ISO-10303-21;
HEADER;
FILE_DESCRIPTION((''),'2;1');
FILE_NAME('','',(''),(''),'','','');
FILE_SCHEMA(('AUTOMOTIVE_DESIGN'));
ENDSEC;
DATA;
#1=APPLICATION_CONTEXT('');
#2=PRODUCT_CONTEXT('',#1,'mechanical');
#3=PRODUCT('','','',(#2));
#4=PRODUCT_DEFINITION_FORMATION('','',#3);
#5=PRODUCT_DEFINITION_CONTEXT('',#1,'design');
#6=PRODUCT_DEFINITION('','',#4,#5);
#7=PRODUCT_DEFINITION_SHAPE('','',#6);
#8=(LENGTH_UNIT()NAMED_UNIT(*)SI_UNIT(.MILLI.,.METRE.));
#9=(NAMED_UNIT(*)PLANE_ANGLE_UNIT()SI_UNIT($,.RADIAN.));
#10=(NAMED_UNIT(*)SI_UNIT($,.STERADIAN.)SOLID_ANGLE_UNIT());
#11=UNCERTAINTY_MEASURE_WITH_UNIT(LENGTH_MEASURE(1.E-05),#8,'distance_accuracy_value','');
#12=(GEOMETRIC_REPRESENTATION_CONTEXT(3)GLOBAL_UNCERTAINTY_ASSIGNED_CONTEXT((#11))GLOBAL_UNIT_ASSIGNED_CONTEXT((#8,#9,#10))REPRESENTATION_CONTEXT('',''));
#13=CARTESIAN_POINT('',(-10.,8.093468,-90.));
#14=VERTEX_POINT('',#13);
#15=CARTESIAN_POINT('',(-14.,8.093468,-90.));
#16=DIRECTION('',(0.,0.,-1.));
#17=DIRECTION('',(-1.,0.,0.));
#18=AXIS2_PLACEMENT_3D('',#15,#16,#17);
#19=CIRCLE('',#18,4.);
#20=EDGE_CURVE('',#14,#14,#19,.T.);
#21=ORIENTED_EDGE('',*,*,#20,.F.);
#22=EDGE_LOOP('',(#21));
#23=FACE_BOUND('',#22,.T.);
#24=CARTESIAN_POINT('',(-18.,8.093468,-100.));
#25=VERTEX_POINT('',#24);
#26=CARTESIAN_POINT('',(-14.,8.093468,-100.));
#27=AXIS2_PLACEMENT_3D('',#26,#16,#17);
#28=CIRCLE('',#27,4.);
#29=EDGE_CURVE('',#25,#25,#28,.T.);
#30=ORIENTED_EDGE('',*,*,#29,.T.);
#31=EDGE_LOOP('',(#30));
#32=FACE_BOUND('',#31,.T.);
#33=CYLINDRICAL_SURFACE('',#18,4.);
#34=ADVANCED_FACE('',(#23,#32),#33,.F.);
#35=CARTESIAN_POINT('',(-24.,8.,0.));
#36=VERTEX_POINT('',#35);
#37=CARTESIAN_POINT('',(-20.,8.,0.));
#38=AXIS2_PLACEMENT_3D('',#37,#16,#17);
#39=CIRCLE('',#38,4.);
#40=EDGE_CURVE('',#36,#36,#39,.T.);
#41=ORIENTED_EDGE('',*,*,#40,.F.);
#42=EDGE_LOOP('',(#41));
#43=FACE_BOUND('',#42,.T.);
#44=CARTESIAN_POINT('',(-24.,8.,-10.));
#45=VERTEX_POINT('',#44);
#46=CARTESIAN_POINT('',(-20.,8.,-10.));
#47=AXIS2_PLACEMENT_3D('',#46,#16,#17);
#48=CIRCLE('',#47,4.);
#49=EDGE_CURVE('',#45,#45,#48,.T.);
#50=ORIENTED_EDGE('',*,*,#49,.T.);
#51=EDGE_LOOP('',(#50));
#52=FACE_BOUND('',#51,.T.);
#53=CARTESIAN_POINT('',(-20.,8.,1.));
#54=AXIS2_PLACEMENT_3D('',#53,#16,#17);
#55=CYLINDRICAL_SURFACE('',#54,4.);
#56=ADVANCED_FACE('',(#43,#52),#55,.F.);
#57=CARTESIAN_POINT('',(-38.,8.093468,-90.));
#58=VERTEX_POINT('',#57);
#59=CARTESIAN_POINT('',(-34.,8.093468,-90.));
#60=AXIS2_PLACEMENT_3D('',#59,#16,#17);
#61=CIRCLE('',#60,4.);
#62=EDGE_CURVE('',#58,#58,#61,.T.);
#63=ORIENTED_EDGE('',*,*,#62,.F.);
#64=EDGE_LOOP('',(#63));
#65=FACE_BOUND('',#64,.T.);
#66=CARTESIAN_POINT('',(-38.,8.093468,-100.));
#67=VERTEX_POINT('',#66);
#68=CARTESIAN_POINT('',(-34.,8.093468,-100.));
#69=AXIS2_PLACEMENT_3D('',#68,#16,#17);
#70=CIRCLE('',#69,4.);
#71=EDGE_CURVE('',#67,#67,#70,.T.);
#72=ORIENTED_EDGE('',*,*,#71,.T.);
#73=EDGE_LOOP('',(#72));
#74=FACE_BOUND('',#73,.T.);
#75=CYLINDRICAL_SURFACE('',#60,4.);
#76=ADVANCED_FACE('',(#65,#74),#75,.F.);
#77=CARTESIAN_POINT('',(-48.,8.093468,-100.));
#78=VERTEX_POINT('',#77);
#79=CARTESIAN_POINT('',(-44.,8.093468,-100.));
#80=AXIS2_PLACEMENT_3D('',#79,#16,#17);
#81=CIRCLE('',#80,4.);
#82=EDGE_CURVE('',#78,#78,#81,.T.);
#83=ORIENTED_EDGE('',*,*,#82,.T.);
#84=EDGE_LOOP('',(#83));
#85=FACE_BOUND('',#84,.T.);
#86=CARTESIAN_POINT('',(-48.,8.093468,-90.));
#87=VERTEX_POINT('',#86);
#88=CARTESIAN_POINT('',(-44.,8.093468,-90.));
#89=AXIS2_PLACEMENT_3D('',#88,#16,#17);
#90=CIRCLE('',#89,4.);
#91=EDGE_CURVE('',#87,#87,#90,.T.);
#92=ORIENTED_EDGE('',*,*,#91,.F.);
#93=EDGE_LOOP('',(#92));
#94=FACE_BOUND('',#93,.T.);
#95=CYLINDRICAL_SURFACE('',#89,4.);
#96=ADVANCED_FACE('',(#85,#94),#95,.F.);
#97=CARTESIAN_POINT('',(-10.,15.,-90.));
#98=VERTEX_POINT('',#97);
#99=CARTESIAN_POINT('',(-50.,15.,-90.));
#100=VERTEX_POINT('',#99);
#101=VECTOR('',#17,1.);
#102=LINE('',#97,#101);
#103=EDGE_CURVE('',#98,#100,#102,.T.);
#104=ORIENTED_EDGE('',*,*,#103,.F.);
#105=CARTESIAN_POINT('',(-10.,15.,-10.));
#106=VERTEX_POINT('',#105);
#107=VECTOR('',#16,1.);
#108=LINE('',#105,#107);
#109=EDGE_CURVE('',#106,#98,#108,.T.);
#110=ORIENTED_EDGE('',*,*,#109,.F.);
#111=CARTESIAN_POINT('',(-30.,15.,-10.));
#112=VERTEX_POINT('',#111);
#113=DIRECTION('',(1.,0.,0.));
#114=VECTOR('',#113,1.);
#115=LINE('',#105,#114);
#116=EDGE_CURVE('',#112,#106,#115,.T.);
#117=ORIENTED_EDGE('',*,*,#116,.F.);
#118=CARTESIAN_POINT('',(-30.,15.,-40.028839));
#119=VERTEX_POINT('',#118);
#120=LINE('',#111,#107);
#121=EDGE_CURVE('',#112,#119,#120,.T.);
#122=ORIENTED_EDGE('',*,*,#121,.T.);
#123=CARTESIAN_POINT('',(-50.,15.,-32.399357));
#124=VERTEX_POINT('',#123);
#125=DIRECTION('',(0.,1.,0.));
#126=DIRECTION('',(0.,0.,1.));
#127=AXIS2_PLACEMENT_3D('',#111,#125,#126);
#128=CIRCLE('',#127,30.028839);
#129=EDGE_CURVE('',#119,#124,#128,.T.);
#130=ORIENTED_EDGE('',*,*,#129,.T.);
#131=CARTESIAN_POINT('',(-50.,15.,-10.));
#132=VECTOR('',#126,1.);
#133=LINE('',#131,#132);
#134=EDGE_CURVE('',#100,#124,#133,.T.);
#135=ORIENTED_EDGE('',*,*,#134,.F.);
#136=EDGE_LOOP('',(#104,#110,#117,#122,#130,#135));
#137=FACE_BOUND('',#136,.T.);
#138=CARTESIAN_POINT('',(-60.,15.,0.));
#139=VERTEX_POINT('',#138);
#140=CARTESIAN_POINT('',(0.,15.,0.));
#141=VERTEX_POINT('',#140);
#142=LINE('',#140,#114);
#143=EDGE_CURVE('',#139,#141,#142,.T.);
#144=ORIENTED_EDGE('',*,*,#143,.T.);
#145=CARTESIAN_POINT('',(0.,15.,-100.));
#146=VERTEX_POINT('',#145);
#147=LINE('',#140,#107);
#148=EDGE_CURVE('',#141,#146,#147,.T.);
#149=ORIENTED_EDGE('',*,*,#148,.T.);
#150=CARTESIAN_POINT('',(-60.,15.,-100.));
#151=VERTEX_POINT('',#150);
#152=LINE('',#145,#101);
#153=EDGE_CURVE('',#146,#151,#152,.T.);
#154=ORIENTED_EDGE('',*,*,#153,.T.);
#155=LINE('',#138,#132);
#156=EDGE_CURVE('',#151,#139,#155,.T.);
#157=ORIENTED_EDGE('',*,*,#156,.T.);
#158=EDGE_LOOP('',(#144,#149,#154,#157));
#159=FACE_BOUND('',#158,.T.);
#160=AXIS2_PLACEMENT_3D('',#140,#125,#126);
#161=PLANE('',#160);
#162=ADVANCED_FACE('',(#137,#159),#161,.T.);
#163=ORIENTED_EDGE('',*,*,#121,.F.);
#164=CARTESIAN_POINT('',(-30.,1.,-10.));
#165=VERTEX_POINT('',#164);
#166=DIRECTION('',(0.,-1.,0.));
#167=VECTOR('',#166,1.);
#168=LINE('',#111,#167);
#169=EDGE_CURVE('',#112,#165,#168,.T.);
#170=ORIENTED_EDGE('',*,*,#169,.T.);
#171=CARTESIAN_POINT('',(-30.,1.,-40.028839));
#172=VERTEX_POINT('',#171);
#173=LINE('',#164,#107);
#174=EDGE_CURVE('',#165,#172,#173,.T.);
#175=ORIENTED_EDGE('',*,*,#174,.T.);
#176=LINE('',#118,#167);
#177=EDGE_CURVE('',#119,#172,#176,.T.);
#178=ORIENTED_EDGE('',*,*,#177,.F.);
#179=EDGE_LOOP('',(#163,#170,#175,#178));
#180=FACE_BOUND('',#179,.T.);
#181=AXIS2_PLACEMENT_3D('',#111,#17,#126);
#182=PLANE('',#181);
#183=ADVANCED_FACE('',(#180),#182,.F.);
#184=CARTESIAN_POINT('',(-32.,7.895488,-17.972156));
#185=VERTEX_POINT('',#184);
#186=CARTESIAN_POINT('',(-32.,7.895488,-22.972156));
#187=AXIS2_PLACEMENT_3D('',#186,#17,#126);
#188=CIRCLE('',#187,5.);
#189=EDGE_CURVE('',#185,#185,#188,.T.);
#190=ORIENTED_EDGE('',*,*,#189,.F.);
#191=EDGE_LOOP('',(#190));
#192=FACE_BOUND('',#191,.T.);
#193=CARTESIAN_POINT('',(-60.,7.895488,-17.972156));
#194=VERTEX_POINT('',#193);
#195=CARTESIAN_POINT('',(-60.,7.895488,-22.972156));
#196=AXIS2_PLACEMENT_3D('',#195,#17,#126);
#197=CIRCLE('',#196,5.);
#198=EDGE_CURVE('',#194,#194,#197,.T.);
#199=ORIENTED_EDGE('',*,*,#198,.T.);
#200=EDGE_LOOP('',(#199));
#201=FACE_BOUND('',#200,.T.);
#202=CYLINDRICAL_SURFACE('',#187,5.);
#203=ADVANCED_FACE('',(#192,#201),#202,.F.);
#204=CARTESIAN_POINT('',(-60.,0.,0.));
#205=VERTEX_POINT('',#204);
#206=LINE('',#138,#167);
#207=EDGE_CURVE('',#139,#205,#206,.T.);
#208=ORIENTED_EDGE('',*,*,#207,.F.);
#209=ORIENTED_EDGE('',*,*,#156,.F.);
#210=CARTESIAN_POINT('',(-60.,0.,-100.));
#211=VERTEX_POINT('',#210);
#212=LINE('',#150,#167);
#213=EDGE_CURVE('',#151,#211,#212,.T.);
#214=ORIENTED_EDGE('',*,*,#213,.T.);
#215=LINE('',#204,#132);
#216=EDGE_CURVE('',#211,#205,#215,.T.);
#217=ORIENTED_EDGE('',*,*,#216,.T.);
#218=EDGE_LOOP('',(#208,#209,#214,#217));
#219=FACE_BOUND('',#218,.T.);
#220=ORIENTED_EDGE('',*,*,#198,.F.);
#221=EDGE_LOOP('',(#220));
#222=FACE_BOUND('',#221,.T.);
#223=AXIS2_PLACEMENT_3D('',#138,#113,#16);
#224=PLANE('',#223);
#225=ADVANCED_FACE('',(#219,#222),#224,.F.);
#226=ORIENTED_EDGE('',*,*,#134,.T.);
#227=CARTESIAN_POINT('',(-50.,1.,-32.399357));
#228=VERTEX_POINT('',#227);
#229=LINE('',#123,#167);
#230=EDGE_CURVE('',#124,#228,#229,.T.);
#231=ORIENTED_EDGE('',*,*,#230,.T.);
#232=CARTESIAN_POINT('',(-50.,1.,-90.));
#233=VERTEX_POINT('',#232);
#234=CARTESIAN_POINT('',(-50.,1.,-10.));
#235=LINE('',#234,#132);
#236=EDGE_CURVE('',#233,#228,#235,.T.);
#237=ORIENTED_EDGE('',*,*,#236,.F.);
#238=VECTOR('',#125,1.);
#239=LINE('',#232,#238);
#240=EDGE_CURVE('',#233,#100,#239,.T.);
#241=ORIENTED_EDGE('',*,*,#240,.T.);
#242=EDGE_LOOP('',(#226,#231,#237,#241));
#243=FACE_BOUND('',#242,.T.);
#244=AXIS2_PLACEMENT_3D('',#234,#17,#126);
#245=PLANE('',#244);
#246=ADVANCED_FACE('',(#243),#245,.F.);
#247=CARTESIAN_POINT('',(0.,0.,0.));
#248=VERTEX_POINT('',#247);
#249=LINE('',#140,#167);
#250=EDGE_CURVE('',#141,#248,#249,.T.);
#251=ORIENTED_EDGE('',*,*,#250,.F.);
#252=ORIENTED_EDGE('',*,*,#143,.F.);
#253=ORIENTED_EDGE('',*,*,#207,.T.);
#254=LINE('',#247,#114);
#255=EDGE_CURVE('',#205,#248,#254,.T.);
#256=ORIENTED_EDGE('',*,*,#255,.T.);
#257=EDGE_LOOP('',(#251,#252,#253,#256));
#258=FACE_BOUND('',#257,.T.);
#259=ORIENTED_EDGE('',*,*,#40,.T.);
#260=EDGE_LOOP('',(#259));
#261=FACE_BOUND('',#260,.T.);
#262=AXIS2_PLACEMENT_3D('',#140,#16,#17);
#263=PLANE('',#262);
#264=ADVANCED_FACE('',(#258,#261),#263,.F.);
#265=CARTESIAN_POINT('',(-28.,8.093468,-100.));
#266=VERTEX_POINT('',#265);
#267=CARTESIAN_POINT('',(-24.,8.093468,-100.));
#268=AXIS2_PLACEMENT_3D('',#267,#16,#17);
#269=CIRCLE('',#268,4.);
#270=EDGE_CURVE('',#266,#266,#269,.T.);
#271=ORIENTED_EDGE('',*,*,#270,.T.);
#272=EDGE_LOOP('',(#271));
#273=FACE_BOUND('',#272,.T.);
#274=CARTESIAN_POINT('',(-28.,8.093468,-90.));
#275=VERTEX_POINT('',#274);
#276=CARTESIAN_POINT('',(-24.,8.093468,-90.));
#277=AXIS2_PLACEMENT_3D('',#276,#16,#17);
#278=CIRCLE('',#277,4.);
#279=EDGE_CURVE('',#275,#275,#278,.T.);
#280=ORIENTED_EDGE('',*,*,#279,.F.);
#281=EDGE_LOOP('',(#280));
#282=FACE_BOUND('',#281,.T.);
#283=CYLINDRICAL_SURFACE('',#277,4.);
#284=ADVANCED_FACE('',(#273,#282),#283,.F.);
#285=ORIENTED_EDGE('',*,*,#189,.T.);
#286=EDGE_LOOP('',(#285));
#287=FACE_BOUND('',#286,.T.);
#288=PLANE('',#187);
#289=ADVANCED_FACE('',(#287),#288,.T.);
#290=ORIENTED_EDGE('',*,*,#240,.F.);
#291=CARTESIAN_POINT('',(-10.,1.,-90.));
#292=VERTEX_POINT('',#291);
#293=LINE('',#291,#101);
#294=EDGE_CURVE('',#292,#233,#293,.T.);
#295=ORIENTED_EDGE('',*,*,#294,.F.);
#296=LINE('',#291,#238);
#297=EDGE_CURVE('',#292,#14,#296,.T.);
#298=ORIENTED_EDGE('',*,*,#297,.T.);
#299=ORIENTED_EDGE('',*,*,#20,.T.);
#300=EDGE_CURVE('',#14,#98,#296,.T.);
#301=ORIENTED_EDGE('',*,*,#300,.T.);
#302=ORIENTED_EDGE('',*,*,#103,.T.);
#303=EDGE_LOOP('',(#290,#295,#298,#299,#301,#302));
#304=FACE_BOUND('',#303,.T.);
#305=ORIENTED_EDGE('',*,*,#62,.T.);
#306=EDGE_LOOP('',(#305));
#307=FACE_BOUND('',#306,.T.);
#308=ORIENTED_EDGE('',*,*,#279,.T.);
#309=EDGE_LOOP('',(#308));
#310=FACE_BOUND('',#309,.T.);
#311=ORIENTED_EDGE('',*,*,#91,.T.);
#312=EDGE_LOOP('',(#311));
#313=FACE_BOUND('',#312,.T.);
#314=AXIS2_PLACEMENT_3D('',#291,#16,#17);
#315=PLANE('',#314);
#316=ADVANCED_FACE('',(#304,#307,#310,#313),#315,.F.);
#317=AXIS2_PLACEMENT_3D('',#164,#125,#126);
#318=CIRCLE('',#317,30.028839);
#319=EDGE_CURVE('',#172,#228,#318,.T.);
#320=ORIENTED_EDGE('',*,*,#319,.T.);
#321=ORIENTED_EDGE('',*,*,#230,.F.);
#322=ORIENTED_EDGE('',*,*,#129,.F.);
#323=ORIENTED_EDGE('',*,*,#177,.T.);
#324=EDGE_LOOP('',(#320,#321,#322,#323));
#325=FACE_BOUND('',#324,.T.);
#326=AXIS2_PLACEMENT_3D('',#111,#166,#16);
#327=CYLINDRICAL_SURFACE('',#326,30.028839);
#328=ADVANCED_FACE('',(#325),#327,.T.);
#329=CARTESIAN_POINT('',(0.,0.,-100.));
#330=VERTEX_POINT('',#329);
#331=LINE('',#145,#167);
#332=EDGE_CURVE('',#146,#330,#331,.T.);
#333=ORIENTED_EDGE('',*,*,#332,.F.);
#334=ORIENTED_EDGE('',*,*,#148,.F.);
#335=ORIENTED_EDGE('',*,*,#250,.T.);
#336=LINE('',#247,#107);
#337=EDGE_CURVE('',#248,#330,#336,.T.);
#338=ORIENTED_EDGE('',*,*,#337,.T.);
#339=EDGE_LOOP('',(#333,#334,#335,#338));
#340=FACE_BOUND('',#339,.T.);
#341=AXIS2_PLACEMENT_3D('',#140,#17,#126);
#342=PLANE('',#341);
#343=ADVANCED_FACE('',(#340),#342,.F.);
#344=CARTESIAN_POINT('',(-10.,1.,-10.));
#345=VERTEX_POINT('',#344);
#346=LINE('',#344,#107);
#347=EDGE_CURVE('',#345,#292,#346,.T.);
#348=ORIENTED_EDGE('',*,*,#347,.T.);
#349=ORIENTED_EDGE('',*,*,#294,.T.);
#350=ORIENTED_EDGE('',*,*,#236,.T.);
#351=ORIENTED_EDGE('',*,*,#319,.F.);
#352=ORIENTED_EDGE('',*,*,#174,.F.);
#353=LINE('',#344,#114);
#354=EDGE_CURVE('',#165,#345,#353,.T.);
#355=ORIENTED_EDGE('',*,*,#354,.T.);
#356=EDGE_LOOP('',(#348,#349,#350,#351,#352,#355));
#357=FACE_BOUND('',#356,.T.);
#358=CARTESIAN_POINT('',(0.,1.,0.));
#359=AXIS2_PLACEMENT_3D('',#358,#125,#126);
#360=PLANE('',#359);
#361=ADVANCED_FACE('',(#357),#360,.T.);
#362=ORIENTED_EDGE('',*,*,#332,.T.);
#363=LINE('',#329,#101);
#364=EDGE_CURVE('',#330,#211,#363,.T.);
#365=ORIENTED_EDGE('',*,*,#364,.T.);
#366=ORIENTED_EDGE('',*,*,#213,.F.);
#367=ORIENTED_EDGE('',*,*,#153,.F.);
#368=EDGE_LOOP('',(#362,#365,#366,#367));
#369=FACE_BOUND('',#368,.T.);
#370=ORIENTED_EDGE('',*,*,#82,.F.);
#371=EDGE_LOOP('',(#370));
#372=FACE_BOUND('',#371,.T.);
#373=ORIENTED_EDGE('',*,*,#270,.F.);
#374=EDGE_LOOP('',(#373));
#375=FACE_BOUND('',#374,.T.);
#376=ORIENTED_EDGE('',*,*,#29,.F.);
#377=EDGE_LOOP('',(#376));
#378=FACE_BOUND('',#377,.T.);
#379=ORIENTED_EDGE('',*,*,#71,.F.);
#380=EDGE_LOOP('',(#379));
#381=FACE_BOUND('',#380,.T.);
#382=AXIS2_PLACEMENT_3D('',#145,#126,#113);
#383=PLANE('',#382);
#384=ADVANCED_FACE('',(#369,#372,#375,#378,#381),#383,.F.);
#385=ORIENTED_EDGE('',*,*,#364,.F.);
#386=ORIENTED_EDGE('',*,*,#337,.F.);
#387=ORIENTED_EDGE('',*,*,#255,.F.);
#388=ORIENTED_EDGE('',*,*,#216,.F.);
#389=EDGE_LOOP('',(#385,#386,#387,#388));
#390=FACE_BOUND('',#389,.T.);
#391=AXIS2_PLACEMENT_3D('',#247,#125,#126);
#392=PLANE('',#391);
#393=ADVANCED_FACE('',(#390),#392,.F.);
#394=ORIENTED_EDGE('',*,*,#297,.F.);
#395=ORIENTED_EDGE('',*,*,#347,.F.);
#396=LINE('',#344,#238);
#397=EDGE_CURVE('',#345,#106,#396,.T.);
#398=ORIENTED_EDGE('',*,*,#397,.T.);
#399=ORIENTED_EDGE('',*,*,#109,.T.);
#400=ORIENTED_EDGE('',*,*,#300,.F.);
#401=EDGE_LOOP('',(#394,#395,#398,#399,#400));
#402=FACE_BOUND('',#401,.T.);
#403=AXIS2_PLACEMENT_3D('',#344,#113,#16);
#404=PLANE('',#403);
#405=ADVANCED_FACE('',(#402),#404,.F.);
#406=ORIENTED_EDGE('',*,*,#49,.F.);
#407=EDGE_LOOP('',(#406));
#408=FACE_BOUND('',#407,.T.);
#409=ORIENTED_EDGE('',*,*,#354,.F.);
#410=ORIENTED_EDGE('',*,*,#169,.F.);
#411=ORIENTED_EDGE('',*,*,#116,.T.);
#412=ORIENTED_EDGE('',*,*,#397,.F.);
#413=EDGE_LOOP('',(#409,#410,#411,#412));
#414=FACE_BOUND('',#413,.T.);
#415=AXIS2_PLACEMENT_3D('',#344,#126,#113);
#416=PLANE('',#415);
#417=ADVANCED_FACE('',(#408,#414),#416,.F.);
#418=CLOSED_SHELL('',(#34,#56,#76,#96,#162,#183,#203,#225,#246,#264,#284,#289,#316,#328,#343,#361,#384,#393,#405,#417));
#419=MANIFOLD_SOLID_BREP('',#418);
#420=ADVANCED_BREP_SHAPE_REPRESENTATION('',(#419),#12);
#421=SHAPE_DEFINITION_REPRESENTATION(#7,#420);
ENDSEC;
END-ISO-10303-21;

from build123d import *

# Parameters (mm, degrees)
CROQUIS1_W              = 60
CROQUIS1_H              = 100
SALIENTE_EXTRUIR3_DEPTH = 15
CROQUIS2_W              = 40
CROQUIS2_H              = 80
CORTAR_EXTRUIR1_DEPTH   = 14
SALIENTE_EXTRUIR4_DEPTH = 14
CROQUIS4_R              = 4
CORTAR_EXTRUIR2_DEPTH   = 10
CROQUIS5_R              = 4
CORTAR_EXTRUIR3_DEPTH   = 11
CROQUIS7_R              = 5
CORTAR_EXTRUIR5_DEPTH   = 28


with BuildPart() as part:
    # Croquis1 → Saliente-Extruir3 (new body)
    with BuildSketch(Plane(origin=(0, 0, 0), x_dir=(1, 0, 0), z_dir=(0, 1, 0))):
        with Locations((-30, 50)):
            Rectangle(CROQUIS1_W, CROQUIS1_H)
    extrude(amount=SALIENTE_EXTRUIR3_DEPTH)

    # Croquis2 → Cortar-Extruir1 (cut)
    with BuildSketch(Plane(origin=(0, 15, 0), x_dir=(1, 0, 0), z_dir=(0, 1, 0))):
        with Locations((-30, 50)):
            Rectangle(CROQUIS2_W, CROQUIS2_H)
    extrude(amount=-CORTAR_EXTRUIR1_DEPTH, mode=Mode.SUBTRACT)

    # Croquis3 → Saliente-Extruir4 (add)
    with BuildSketch(Plane(origin=(0, 1, 0), x_dir=(1, 0, 0), z_dir=(0, 1, 0))):
        with BuildLine():
            Line((-50, 10), (-30, 10))
            Line((-30, 10), (-30, 40.028839229))
            ThreePointArc((-30, 40.028839229), (-40.702908507, 38.056709268), (-50, 32.399356809))
            Line((-50, 32.399356809), (-50, 10))
        make_face()
    extrude(amount=SALIENTE_EXTRUIR4_DEPTH)

    # Croquis4 → Cortar-Extruir2 (cut)
    with BuildSketch(Plane(origin=(0, 0, -100), x_dir=(-1, 0, 0), z_dir=(0, 0, -1))):
        with Locations((14, 8.093468363)):
            Circle(CROQUIS4_R)
        with Locations((24, 8.093468363)):
            Circle(CROQUIS4_R)
        with Locations((34, 8.093468363)):
            Circle(CROQUIS4_R)
        with Locations((44, 8.093468363)):
            Circle(CROQUIS4_R)
    extrude(amount=-CORTAR_EXTRUIR2_DEPTH, mode=Mode.SUBTRACT)

    # Croquis5 → Cortar-Extruir3 (cut)
    with BuildSketch(Plane(origin=(0, 0, -10), x_dir=(-1, 0, 0), z_dir=(0, 0, -1))):
        with Locations((20, 8)):
            Circle(CROQUIS5_R)
    extrude(amount=-CORTAR_EXTRUIR3_DEPTH, mode=Mode.SUBTRACT)

    # Croquis7 → Cortar-Extruir5 (cut)
    with BuildSketch(Plane.ZY.offset(60)):
        with Locations((-22.972155743, 7.895487944)):
            Circle(CROQUIS7_R)
    extrude(amount=-CORTAR_EXTRUIR5_DEPTH, mode=Mode.SUBTRACT)


solid = part.part
